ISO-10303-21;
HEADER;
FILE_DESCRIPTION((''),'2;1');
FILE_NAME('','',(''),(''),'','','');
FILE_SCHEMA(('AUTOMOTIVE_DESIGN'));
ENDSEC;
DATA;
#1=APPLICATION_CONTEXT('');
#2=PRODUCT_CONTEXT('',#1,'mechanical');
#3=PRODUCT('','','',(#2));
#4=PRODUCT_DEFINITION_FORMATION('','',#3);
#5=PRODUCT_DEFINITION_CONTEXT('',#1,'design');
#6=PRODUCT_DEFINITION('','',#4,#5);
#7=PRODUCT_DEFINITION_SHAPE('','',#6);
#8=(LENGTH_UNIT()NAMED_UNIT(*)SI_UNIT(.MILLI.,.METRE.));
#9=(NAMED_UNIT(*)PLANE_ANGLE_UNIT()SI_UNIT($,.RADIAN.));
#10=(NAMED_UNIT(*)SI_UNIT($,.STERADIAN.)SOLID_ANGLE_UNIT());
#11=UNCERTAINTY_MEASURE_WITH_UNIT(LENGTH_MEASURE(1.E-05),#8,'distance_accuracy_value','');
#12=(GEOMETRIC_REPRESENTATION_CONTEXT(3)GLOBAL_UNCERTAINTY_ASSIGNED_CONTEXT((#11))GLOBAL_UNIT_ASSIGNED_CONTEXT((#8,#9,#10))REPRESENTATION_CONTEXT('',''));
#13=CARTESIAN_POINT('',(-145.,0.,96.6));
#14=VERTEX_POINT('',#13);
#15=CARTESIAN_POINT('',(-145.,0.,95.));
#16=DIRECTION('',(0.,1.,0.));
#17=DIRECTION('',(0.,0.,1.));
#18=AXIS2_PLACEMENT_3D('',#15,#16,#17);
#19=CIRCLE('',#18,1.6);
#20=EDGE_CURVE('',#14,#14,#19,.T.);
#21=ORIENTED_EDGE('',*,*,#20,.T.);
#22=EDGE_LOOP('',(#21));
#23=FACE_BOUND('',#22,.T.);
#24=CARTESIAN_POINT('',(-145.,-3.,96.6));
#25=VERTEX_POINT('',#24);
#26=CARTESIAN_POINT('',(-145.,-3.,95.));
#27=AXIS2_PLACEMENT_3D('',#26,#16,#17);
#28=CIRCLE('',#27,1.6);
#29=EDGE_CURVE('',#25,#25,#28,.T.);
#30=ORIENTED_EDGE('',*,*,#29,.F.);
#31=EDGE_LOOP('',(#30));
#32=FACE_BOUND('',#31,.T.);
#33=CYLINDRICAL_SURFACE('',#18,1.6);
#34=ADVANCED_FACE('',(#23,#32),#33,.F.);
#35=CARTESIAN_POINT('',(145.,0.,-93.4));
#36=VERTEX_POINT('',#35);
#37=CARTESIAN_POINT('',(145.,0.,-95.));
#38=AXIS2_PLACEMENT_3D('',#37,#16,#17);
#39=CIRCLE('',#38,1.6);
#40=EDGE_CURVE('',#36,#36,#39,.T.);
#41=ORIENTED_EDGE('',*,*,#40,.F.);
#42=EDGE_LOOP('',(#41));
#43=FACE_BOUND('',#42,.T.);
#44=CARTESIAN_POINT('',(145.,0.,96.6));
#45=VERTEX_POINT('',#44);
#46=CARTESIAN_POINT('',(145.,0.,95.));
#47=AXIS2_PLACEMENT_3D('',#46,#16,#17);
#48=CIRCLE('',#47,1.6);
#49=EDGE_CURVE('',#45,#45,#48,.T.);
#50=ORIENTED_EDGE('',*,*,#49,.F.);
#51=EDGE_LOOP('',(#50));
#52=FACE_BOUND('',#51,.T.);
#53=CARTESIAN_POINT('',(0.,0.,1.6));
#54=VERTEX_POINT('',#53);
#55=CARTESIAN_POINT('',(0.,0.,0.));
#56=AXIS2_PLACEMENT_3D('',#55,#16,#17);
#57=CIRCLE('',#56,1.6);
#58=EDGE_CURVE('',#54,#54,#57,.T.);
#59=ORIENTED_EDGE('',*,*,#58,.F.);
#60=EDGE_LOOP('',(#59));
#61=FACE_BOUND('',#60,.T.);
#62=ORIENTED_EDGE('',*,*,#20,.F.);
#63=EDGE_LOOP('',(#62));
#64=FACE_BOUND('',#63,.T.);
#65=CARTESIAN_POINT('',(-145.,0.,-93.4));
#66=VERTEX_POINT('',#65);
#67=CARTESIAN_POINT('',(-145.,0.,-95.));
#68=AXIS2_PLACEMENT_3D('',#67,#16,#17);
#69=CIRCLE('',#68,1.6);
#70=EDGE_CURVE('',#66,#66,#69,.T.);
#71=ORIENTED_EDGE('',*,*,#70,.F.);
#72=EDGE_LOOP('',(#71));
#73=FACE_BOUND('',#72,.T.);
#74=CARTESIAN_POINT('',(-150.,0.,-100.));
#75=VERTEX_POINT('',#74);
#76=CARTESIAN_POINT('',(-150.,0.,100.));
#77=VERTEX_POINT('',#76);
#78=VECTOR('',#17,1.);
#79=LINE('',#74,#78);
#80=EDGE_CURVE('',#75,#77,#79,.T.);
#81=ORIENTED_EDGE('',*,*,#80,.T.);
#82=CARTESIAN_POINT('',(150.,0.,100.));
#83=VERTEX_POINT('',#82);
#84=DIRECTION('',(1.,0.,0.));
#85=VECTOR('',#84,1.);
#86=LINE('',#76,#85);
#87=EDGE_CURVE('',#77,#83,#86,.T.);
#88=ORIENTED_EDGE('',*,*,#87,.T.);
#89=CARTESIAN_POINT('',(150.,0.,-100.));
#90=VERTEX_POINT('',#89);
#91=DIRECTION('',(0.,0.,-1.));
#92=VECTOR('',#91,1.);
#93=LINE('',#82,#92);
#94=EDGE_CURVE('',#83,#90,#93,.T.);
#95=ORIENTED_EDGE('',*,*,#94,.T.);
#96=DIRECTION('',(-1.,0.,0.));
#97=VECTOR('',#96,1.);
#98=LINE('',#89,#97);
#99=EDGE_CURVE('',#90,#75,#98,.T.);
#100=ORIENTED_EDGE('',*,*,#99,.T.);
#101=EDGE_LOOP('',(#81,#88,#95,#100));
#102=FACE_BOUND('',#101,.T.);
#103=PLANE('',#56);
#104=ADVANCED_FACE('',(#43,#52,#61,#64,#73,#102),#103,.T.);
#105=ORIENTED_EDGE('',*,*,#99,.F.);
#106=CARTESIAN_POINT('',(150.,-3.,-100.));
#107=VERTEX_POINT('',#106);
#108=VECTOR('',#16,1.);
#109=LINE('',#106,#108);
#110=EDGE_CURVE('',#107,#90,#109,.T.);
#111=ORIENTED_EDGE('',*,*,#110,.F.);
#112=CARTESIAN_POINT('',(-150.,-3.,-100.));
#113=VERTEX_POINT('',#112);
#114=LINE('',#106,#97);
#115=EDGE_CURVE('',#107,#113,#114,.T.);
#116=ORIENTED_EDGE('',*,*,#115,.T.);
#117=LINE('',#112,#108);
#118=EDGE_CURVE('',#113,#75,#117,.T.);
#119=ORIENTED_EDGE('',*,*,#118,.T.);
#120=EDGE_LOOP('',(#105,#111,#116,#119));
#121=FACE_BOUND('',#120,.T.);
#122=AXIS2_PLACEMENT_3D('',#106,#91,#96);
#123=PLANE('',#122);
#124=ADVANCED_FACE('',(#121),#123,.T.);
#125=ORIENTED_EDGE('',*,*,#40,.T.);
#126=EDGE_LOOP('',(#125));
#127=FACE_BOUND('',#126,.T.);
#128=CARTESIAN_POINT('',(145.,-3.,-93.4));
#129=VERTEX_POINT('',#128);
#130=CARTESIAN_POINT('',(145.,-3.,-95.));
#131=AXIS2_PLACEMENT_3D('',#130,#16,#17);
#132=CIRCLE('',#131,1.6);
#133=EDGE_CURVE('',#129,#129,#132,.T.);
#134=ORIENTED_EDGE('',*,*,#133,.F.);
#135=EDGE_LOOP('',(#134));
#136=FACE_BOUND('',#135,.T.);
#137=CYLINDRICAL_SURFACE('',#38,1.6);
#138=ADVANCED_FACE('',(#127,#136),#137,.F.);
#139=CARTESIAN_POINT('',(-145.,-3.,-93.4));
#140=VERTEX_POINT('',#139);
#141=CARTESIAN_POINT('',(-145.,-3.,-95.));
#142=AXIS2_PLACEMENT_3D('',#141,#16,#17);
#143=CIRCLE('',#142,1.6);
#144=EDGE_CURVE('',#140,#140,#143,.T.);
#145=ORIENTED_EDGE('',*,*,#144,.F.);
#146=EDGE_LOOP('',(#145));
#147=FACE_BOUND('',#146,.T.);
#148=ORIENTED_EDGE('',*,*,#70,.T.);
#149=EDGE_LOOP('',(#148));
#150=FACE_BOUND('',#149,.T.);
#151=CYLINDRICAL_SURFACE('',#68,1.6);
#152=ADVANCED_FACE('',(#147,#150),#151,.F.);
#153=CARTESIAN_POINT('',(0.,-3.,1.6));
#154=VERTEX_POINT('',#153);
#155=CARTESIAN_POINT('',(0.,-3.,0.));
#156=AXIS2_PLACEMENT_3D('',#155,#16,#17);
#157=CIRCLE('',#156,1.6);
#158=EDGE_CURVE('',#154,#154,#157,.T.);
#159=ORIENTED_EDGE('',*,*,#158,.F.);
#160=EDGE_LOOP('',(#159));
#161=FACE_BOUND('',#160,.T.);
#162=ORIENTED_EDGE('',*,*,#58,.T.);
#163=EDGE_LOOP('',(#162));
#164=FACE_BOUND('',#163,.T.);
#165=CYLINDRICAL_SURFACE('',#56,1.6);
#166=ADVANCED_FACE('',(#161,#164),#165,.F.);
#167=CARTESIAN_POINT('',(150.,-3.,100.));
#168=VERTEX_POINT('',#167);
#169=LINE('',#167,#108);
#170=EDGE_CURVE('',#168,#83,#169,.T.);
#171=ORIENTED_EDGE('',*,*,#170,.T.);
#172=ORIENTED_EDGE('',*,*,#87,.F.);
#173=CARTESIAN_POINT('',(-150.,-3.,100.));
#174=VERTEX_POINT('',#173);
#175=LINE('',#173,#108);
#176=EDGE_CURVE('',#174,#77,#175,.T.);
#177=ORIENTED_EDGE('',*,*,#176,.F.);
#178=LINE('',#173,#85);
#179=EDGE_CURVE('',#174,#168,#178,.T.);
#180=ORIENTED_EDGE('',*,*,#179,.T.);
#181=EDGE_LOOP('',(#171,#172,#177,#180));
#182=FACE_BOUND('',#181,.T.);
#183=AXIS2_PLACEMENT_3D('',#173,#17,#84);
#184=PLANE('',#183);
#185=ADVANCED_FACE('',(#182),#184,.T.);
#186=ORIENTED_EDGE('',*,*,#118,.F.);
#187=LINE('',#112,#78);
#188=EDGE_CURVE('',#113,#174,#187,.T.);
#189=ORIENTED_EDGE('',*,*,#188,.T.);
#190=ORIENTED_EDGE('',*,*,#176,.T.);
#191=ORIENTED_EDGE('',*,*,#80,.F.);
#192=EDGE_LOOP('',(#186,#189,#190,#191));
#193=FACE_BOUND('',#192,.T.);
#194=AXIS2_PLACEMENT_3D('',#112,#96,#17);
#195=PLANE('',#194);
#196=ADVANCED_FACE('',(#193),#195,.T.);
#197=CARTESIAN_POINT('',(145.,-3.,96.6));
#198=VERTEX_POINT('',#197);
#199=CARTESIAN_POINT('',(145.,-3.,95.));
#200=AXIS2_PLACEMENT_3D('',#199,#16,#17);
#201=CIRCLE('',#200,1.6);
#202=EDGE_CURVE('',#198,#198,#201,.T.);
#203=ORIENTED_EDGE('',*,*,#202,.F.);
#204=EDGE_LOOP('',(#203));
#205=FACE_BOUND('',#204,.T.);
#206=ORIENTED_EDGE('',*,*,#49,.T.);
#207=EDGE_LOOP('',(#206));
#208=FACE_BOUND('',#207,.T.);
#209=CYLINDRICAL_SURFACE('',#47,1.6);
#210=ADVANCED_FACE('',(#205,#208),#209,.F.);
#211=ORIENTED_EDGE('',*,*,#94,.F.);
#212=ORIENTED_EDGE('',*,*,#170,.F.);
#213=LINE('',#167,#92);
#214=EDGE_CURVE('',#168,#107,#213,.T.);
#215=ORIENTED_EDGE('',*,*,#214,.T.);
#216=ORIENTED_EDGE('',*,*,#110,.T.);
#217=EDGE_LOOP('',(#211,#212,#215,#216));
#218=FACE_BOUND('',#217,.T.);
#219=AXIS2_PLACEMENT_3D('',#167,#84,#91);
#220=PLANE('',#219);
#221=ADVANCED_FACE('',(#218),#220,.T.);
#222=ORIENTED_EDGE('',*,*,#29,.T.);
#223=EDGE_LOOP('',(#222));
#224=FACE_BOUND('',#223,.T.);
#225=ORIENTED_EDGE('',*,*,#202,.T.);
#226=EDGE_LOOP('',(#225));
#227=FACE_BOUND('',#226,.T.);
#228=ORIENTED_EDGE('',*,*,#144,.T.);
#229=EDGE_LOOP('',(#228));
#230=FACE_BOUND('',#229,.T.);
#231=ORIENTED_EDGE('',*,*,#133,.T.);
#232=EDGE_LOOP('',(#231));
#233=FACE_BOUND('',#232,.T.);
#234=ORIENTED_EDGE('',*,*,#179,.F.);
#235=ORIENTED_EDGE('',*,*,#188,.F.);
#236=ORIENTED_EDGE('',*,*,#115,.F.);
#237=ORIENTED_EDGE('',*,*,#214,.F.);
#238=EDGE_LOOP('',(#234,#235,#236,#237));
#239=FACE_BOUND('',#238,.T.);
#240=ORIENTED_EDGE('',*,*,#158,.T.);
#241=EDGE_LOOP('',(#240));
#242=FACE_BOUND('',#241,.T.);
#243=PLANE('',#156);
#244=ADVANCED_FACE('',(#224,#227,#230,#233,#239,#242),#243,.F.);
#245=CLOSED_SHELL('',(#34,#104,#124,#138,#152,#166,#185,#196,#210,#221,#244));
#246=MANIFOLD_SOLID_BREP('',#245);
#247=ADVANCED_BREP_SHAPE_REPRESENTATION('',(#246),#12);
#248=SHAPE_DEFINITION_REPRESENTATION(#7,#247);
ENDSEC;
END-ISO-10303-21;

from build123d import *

# Parameters (mm, degrees)
SKETCH1_W                  = 300
SKETCH1_H                  = 200
EXTRUSION1_DEPTH           = 3
F_3_2_3_2_DIAMETER_HOLE1_D = 3.2


with BuildPart() as part:
    # Sketch1 → Extrusion1 (new body)
    with BuildSketch(Plane(origin=(0, 0, 0), x_dir=(-1, 0, 0), z_dir=(0, 1, 0))):
        Rectangle(SKETCH1_W, SKETCH1_H)
    extrude(amount=-EXTRUSION1_DEPTH)

    # Ø3.2 (3.2) Diameter Hole1 (through all)
    with Locations(Plane(origin=(0, 0, 0), x_dir=(1, 0, 0), z_dir=(0, 1, 0))):
        with Locations((-145, 95), (145, 95), (145, -95), (0, -104.5), (-145, -95), (0, 0)):
            Hole(F_3_2_3_2_DIAMETER_HOLE1_D / 2)


solid = part.part
